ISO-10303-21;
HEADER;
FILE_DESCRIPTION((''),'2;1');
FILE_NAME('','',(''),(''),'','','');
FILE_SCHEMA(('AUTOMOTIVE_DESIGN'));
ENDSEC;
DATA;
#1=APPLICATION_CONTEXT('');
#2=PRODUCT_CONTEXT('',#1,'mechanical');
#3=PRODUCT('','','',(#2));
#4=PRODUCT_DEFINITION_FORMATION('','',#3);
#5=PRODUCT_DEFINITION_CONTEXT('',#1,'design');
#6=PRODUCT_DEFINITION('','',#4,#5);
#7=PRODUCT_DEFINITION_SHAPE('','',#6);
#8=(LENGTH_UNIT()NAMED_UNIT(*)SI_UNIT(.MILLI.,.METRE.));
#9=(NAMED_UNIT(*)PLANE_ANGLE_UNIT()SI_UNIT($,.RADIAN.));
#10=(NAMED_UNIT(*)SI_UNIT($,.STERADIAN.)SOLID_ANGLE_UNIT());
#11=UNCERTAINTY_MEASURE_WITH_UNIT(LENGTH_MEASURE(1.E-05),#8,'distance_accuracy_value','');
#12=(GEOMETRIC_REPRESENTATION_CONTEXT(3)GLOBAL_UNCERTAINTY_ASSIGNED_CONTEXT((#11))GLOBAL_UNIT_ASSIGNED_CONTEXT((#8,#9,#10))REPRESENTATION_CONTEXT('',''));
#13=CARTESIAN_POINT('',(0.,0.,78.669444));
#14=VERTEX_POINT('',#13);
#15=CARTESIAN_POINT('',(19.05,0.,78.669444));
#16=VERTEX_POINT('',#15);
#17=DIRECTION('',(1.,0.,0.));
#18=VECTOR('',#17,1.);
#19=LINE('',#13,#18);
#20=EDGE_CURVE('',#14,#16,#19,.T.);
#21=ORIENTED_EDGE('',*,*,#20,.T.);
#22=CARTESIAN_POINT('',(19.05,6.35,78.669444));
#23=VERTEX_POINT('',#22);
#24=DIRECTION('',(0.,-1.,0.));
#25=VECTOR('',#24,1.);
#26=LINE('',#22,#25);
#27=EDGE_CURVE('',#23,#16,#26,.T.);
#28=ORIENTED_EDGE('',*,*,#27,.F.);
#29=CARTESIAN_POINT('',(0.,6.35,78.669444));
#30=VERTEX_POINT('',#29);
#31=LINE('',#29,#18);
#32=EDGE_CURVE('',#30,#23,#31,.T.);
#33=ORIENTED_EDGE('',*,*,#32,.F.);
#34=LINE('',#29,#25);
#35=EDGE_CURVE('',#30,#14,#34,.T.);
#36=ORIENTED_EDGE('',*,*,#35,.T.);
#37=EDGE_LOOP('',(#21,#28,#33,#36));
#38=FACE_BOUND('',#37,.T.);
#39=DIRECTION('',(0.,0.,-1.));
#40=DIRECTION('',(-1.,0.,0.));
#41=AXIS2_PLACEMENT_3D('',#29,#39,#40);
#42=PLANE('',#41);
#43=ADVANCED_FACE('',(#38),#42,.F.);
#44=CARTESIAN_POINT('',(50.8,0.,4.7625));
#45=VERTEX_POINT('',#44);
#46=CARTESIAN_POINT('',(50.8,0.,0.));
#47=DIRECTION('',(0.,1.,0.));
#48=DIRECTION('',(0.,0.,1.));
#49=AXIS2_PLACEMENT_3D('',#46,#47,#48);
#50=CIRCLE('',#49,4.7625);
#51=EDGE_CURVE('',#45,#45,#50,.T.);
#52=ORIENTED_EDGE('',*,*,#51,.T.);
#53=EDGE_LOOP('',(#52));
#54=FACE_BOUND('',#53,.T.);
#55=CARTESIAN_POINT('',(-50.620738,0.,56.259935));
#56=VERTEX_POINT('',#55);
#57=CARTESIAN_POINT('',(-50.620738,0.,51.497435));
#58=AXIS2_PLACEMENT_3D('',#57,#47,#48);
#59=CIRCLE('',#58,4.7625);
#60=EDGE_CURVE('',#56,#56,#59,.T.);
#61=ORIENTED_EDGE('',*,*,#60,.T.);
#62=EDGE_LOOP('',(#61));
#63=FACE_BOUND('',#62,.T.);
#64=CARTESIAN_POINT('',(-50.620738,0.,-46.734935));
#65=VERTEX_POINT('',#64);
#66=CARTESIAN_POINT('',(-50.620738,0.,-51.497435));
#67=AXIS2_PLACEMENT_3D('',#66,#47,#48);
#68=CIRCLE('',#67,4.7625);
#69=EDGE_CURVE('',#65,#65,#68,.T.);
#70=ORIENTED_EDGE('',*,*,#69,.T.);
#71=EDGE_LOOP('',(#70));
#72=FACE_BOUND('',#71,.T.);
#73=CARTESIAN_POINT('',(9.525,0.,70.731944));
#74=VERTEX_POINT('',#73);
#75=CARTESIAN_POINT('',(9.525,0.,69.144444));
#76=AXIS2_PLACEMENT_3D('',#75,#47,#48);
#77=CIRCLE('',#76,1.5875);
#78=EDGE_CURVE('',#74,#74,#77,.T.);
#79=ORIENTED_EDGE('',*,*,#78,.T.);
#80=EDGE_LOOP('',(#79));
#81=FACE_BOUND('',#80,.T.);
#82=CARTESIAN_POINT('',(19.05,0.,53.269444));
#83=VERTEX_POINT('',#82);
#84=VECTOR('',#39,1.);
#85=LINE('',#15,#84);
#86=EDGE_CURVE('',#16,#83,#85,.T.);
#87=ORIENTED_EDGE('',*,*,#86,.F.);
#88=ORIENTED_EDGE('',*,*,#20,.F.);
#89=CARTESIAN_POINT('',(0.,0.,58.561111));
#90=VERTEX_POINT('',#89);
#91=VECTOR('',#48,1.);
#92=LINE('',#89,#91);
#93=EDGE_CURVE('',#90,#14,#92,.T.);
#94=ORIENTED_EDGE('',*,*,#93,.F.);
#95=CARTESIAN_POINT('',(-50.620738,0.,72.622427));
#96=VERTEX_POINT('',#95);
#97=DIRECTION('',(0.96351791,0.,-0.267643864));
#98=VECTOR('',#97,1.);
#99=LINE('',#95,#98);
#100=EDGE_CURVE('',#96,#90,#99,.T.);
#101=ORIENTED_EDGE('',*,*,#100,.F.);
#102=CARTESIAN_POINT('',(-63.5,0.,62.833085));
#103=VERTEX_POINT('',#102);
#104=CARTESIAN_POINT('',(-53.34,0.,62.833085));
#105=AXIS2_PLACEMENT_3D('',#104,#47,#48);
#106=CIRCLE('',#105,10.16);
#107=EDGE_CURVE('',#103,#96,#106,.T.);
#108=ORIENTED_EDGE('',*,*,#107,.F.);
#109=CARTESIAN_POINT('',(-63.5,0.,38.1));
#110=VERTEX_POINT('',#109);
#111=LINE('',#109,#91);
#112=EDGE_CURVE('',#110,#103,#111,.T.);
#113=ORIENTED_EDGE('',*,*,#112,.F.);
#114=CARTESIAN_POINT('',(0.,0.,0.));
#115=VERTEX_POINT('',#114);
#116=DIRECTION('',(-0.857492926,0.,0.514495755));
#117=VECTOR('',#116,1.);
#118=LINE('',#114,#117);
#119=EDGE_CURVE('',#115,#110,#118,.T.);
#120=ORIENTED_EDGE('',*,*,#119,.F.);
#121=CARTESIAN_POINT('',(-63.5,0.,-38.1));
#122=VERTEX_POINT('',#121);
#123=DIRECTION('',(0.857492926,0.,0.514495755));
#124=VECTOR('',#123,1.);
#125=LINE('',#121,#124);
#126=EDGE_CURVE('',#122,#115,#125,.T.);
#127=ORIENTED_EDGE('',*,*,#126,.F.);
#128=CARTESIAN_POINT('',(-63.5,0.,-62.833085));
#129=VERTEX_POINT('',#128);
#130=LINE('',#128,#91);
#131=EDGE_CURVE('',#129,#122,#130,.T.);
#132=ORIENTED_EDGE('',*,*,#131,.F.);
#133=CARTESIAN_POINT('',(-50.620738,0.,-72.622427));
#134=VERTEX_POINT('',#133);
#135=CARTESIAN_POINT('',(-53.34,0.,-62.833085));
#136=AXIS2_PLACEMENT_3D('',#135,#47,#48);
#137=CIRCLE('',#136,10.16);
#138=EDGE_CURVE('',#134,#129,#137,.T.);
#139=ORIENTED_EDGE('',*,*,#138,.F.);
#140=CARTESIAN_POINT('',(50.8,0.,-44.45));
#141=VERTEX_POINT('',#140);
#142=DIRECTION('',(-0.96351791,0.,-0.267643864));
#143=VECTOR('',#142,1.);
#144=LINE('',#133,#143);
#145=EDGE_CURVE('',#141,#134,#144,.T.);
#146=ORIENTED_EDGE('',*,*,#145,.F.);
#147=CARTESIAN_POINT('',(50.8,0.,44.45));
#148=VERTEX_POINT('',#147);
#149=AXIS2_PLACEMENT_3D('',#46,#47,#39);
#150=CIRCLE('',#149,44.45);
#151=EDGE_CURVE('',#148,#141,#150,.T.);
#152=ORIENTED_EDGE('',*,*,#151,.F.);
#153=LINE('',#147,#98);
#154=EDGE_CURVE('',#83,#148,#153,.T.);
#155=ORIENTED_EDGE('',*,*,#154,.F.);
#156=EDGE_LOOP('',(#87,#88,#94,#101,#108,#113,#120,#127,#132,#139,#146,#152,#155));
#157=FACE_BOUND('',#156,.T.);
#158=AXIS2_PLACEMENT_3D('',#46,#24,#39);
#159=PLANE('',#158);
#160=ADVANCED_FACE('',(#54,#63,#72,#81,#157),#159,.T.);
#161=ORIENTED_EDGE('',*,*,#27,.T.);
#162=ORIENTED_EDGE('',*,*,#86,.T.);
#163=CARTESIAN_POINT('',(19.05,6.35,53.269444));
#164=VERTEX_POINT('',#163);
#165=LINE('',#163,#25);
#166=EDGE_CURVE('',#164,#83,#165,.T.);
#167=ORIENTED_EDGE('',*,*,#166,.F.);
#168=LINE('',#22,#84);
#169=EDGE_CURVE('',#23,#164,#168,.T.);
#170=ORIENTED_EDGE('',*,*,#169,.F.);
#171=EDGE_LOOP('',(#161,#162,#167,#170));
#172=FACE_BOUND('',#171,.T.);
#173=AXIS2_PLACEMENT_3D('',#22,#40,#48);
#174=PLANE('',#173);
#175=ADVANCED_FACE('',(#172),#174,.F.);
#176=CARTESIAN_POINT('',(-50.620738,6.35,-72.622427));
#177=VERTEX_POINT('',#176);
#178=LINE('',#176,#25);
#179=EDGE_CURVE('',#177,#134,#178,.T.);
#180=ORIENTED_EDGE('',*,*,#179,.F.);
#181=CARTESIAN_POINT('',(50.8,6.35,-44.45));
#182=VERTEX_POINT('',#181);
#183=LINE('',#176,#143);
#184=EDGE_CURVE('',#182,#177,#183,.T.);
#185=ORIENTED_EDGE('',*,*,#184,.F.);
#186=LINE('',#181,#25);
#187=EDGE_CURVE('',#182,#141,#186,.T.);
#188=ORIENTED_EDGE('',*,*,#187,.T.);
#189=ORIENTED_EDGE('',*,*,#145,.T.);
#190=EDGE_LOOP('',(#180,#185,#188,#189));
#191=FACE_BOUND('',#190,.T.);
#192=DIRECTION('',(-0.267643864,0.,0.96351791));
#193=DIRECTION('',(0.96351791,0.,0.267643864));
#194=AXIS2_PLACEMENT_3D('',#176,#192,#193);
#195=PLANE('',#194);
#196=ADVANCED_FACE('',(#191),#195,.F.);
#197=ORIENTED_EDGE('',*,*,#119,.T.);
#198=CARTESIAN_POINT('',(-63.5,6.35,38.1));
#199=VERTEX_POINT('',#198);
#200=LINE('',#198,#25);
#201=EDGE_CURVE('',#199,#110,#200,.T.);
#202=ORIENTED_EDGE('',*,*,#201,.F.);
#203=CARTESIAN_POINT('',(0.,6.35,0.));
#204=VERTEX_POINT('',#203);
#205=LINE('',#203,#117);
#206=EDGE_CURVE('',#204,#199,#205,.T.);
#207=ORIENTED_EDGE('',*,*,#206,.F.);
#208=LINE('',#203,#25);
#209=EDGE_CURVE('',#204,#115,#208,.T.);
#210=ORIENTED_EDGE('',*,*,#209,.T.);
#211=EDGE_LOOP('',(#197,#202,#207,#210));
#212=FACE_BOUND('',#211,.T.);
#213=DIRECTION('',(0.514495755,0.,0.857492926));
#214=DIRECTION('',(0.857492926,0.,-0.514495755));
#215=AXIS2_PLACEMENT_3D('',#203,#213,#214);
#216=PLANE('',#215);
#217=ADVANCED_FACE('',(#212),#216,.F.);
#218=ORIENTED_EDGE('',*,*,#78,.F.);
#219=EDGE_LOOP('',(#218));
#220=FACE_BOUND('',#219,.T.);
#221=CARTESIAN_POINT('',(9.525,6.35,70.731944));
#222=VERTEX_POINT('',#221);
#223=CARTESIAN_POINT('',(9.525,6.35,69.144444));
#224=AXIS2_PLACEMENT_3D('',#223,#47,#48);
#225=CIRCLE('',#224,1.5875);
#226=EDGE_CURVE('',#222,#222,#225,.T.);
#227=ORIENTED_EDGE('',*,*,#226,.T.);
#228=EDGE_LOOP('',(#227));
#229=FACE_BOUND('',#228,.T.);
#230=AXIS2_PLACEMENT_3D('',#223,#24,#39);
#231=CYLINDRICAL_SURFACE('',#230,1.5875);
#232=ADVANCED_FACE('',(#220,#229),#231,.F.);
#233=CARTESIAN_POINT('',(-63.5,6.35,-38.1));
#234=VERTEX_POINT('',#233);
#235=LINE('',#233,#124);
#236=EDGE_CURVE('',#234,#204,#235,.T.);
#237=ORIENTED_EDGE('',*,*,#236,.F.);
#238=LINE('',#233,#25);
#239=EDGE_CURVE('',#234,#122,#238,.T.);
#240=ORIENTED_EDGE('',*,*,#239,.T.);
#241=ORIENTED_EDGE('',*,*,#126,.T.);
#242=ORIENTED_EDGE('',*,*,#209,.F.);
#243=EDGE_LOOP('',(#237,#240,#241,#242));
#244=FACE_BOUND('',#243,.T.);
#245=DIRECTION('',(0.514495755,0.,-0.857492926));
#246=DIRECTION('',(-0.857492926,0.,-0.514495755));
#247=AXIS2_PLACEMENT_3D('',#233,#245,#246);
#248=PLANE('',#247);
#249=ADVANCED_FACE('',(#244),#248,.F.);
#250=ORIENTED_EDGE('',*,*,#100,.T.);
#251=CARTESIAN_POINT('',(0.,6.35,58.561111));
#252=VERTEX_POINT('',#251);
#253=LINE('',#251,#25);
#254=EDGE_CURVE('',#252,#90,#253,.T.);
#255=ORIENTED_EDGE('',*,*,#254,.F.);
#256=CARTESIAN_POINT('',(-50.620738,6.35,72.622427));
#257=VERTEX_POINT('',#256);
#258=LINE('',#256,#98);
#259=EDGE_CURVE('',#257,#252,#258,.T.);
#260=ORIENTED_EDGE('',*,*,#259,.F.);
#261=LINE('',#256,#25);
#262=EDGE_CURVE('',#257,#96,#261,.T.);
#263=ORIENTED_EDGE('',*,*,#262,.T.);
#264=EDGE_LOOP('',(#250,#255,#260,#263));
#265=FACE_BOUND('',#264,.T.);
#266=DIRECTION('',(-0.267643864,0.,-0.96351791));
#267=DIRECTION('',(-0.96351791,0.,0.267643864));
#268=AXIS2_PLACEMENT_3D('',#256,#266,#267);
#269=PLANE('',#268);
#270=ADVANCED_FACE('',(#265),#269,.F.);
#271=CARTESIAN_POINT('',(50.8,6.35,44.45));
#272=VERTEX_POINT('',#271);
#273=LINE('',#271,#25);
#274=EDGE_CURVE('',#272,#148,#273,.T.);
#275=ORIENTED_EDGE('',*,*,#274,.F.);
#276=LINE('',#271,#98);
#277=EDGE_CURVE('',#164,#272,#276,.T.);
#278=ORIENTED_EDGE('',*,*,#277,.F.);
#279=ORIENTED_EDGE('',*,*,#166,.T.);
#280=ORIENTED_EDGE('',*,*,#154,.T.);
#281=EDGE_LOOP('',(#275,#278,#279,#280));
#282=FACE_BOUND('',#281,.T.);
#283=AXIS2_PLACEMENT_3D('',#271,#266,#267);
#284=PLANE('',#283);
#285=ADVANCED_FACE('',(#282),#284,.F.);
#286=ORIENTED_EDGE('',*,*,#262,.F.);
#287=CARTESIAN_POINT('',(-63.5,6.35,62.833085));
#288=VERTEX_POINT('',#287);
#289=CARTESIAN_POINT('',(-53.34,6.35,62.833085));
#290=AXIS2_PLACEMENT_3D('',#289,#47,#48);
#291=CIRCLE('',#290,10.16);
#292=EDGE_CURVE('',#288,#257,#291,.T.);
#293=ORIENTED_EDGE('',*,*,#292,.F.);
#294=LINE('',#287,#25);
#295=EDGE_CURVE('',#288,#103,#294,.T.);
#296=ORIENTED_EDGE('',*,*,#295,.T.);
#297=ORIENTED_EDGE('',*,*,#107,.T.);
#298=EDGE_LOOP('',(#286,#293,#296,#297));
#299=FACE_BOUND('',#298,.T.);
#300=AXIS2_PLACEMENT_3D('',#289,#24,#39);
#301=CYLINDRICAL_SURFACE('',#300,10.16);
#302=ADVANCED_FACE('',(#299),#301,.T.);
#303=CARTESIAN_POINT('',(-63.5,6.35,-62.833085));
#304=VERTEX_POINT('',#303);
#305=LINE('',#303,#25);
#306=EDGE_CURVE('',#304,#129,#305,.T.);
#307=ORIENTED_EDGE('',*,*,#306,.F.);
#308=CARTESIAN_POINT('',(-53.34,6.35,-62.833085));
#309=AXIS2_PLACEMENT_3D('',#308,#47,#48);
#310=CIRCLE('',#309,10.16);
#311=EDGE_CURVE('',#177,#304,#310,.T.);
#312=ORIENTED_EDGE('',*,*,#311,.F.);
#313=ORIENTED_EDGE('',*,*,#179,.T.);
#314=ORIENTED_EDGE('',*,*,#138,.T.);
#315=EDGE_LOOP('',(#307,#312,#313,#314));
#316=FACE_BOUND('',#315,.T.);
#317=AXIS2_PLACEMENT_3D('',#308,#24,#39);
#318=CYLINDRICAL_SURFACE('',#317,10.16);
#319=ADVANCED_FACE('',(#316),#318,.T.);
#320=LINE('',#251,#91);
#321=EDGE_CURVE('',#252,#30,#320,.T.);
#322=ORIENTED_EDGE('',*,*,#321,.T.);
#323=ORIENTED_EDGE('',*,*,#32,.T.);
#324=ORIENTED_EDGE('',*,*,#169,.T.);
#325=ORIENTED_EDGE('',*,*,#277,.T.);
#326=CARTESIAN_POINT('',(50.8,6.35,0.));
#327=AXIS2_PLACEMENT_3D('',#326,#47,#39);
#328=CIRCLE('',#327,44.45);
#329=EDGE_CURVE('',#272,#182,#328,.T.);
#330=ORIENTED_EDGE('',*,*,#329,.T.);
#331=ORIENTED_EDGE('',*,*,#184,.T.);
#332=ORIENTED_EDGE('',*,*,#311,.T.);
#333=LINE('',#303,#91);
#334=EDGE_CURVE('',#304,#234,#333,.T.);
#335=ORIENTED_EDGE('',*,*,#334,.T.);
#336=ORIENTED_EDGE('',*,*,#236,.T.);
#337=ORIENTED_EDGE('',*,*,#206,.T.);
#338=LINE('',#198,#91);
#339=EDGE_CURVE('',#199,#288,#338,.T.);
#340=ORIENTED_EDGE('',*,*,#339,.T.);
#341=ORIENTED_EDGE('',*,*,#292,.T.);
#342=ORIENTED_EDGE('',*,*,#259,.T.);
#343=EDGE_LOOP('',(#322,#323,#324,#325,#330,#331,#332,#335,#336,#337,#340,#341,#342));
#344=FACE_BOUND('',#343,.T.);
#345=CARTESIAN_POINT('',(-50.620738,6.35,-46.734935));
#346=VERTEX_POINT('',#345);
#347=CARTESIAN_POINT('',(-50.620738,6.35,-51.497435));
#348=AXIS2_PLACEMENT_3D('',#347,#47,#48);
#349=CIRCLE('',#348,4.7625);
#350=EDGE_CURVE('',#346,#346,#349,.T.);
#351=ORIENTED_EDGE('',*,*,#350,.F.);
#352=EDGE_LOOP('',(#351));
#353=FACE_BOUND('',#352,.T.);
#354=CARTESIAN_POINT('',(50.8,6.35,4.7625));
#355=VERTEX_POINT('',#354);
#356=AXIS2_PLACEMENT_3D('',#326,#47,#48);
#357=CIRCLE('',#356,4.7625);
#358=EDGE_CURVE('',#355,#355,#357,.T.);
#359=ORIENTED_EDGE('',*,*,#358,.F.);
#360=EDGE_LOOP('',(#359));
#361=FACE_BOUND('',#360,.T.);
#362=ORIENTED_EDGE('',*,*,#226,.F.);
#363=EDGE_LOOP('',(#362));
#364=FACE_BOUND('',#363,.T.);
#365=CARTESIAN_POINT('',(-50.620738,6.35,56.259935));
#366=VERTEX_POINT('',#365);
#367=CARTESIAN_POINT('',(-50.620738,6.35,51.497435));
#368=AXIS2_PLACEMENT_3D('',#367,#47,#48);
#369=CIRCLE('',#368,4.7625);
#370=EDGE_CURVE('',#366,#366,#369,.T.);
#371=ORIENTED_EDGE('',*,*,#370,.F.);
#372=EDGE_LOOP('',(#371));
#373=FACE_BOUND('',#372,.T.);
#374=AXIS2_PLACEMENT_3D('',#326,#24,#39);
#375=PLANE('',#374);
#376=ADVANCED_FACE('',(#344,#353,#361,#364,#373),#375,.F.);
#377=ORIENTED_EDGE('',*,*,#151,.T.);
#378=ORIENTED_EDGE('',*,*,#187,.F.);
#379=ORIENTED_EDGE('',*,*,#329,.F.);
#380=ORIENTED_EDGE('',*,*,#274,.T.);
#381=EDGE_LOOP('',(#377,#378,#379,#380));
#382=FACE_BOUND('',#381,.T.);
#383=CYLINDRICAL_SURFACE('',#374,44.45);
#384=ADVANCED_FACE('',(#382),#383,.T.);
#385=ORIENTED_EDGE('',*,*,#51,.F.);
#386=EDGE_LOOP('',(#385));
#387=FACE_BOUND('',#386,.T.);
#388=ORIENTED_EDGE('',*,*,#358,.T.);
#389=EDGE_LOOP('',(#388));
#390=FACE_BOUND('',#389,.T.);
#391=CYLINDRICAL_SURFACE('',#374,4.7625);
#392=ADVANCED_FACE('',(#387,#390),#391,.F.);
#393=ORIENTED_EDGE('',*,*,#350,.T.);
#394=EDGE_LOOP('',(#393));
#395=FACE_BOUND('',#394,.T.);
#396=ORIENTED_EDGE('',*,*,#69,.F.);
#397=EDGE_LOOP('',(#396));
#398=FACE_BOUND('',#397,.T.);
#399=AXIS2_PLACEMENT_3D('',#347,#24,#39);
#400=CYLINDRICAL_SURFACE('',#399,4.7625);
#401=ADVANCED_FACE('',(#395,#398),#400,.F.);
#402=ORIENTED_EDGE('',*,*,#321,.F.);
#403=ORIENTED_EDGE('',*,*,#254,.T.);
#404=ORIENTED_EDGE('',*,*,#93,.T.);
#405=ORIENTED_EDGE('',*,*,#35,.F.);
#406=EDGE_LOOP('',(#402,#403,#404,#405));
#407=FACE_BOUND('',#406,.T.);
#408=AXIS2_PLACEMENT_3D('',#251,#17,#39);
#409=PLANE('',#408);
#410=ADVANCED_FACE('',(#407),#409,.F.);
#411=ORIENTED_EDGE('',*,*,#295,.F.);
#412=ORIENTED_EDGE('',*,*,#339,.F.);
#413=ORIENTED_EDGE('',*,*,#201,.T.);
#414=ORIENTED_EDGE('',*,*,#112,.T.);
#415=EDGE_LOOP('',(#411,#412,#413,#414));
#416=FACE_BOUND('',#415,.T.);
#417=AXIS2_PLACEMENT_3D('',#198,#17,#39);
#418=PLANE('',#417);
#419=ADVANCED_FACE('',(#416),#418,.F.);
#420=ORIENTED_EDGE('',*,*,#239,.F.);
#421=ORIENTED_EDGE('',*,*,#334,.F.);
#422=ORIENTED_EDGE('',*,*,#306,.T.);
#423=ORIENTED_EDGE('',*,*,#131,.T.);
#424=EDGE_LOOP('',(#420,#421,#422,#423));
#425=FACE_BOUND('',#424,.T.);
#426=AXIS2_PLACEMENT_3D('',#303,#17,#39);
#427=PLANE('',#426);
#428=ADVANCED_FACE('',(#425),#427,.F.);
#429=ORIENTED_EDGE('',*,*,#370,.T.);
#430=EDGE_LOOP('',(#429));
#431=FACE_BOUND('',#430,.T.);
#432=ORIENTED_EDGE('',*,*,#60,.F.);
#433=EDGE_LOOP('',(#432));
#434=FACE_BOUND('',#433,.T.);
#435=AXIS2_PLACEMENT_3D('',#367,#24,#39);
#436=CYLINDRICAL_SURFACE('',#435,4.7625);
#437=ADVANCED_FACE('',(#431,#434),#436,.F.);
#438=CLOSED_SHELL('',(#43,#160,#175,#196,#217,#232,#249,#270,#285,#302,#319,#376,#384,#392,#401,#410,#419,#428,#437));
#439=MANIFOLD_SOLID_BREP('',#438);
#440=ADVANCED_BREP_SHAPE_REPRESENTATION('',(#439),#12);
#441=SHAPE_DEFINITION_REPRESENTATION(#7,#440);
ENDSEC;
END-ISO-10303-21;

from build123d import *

# Parameters (mm, degrees)
SKETCH1_R           = 4.7625
SKETCH1_R_2         = 1.5875
BOSS_EXTRUDE1_DEPTH = 6.35


with BuildPart() as part:
    # Sketch1 → Boss-Extrude1 (new body)
    with BuildSketch(Plane(origin=(0, 0, 0), x_dir=(1, 0, 0), z_dir=(0, 1, 0))):
        with BuildLine():
            Line((-50.620738344, 72.622427318), (50.8, 44.45))
            ThreePointArc((50.8, 44.45), (95.25, 0), (50.8, -44.45))
            Line((50.8, -44.45), (19.05, -53.269444444))
            Line((19.05, -53.269444444), (19.05, -78.669444444))
            Line((19.05, -78.669444444), (0, -78.669444444))
            Line((0, -78.669444444), (0, -58.561111111))
            Line((0, -58.561111111), (-50.620738344, -72.622427318))
            ThreePointArc((-50.620738344, -72.622427318), (-59.488085132, -70.921759488), (-63.5, -62.833085356))
            Line((-63.5, -62.833085356), (-63.5, -38.1))
            Line((-63.5, -38.1), (0, 0))
            Line((0, 0), (-63.5, 38.1))
            Line((-63.5, 38.1), (-63.5, 62.833085356))
            ThreePointArc((-63.5, 62.833085356), (-59.488085132, 70.921759488), (-50.620738344, 72.622427318))
        make_face()
        with Locations((50.8, 0)):
            Circle(SKETCH1_R, mode=Mode.SUBTRACT)
        with Locations((-50.620738344, 51.497435162)):
            Circle(SKETCH1_R, mode=Mode.SUBTRACT)
        with Locations((-50.620738344, -51.497435162)):
            Circle(SKETCH1_R, mode=Mode.SUBTRACT)
        with Locations((9.525, -69.144444444)):
            Circle(SKETCH1_R_2, mode=Mode.SUBTRACT)
    extrude(amount=BOSS_EXTRUDE1_DEPTH)


solid = part.part
